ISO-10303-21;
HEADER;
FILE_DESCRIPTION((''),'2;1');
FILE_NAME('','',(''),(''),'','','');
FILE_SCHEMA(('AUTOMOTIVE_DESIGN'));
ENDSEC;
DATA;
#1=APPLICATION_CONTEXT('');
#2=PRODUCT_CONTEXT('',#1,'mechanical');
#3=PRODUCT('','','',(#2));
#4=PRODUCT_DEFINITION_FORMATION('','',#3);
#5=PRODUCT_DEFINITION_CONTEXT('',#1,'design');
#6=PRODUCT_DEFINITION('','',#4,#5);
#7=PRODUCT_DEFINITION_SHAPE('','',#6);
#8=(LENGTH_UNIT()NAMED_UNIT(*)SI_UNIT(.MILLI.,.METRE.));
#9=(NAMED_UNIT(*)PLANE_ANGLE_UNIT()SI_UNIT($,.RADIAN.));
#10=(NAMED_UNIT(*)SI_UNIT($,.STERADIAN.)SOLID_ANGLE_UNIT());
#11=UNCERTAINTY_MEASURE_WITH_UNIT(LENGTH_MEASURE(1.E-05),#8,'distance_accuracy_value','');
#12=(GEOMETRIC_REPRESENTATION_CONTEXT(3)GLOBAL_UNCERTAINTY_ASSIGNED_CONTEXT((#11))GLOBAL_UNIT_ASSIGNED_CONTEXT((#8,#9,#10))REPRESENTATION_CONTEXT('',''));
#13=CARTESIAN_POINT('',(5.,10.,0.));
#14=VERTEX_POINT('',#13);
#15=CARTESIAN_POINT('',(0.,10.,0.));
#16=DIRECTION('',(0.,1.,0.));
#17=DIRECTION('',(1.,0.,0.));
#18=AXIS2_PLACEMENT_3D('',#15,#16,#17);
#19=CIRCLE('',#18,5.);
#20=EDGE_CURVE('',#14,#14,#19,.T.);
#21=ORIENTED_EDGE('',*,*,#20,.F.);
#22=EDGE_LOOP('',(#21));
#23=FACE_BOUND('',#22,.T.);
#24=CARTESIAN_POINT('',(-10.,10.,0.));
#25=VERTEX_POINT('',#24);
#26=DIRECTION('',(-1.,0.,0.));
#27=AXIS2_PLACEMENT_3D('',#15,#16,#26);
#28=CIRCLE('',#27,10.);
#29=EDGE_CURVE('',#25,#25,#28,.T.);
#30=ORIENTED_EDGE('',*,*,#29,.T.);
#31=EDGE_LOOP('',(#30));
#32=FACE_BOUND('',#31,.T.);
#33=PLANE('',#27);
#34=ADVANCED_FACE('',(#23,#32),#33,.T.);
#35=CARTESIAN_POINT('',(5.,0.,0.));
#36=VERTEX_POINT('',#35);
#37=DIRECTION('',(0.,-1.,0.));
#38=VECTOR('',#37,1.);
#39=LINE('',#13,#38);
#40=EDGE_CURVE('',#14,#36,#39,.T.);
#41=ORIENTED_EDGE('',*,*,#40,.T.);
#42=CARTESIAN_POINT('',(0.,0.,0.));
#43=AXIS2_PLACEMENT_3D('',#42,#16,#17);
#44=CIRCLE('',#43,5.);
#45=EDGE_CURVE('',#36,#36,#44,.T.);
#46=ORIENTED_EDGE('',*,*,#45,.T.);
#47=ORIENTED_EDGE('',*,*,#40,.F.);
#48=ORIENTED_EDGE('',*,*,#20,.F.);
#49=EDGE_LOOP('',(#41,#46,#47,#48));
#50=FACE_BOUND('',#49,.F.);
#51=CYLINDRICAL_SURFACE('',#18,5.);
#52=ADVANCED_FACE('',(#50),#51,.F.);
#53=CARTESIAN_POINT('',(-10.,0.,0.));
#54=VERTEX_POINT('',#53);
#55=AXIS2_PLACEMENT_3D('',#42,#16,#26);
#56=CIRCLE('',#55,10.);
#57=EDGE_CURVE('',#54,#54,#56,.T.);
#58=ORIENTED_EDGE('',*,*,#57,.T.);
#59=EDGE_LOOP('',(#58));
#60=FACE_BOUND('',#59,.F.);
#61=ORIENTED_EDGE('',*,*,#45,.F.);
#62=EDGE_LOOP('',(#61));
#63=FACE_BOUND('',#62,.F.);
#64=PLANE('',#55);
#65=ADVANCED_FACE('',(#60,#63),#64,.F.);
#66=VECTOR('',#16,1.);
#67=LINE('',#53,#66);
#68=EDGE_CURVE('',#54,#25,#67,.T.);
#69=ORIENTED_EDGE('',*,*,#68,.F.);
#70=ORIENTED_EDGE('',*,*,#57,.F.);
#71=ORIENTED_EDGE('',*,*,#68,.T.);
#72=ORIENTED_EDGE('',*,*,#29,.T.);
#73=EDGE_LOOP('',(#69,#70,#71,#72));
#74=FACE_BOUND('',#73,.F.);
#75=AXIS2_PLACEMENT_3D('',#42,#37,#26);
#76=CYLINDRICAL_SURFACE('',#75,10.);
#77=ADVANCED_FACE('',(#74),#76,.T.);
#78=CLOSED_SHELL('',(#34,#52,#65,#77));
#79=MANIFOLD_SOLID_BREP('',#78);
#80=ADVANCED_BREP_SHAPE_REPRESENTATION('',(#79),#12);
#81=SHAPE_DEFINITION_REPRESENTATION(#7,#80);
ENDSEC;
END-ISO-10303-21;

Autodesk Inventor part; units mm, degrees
ref_plane "YZ Plane" through (0, 0, 0) normal (1, 0, 0) x (0, 1, 0)
ref_plane "XZ Plane" through (0, 0, 0) normal (0, 1, 0) x (-1, 0, 0)
ref_plane "XY Plane" through (0, 0, 0) normal (0, 0, 1) x (1, 0, 0)
sketch "Sketch1" plane through (0, 0, 0) normal (0, 1, 0) x (-1, 0, 0)
  circle A0 centre (0, 0) radius 10
  dimension "d0" = 20
extrude "Extrusion1" add sketch "Sketch1" along normal blind 10
sketch "Sketch2" plane through (0, 10, 0) normal (0, 1, 0) x (1, 0, 0)
  circle A0 centre (0, 0) radius 5
  dimension "d3" = 10
extrude "Extrusion2" cut sketch "Sketch2" against normal blind 10
properties part number "nut"
